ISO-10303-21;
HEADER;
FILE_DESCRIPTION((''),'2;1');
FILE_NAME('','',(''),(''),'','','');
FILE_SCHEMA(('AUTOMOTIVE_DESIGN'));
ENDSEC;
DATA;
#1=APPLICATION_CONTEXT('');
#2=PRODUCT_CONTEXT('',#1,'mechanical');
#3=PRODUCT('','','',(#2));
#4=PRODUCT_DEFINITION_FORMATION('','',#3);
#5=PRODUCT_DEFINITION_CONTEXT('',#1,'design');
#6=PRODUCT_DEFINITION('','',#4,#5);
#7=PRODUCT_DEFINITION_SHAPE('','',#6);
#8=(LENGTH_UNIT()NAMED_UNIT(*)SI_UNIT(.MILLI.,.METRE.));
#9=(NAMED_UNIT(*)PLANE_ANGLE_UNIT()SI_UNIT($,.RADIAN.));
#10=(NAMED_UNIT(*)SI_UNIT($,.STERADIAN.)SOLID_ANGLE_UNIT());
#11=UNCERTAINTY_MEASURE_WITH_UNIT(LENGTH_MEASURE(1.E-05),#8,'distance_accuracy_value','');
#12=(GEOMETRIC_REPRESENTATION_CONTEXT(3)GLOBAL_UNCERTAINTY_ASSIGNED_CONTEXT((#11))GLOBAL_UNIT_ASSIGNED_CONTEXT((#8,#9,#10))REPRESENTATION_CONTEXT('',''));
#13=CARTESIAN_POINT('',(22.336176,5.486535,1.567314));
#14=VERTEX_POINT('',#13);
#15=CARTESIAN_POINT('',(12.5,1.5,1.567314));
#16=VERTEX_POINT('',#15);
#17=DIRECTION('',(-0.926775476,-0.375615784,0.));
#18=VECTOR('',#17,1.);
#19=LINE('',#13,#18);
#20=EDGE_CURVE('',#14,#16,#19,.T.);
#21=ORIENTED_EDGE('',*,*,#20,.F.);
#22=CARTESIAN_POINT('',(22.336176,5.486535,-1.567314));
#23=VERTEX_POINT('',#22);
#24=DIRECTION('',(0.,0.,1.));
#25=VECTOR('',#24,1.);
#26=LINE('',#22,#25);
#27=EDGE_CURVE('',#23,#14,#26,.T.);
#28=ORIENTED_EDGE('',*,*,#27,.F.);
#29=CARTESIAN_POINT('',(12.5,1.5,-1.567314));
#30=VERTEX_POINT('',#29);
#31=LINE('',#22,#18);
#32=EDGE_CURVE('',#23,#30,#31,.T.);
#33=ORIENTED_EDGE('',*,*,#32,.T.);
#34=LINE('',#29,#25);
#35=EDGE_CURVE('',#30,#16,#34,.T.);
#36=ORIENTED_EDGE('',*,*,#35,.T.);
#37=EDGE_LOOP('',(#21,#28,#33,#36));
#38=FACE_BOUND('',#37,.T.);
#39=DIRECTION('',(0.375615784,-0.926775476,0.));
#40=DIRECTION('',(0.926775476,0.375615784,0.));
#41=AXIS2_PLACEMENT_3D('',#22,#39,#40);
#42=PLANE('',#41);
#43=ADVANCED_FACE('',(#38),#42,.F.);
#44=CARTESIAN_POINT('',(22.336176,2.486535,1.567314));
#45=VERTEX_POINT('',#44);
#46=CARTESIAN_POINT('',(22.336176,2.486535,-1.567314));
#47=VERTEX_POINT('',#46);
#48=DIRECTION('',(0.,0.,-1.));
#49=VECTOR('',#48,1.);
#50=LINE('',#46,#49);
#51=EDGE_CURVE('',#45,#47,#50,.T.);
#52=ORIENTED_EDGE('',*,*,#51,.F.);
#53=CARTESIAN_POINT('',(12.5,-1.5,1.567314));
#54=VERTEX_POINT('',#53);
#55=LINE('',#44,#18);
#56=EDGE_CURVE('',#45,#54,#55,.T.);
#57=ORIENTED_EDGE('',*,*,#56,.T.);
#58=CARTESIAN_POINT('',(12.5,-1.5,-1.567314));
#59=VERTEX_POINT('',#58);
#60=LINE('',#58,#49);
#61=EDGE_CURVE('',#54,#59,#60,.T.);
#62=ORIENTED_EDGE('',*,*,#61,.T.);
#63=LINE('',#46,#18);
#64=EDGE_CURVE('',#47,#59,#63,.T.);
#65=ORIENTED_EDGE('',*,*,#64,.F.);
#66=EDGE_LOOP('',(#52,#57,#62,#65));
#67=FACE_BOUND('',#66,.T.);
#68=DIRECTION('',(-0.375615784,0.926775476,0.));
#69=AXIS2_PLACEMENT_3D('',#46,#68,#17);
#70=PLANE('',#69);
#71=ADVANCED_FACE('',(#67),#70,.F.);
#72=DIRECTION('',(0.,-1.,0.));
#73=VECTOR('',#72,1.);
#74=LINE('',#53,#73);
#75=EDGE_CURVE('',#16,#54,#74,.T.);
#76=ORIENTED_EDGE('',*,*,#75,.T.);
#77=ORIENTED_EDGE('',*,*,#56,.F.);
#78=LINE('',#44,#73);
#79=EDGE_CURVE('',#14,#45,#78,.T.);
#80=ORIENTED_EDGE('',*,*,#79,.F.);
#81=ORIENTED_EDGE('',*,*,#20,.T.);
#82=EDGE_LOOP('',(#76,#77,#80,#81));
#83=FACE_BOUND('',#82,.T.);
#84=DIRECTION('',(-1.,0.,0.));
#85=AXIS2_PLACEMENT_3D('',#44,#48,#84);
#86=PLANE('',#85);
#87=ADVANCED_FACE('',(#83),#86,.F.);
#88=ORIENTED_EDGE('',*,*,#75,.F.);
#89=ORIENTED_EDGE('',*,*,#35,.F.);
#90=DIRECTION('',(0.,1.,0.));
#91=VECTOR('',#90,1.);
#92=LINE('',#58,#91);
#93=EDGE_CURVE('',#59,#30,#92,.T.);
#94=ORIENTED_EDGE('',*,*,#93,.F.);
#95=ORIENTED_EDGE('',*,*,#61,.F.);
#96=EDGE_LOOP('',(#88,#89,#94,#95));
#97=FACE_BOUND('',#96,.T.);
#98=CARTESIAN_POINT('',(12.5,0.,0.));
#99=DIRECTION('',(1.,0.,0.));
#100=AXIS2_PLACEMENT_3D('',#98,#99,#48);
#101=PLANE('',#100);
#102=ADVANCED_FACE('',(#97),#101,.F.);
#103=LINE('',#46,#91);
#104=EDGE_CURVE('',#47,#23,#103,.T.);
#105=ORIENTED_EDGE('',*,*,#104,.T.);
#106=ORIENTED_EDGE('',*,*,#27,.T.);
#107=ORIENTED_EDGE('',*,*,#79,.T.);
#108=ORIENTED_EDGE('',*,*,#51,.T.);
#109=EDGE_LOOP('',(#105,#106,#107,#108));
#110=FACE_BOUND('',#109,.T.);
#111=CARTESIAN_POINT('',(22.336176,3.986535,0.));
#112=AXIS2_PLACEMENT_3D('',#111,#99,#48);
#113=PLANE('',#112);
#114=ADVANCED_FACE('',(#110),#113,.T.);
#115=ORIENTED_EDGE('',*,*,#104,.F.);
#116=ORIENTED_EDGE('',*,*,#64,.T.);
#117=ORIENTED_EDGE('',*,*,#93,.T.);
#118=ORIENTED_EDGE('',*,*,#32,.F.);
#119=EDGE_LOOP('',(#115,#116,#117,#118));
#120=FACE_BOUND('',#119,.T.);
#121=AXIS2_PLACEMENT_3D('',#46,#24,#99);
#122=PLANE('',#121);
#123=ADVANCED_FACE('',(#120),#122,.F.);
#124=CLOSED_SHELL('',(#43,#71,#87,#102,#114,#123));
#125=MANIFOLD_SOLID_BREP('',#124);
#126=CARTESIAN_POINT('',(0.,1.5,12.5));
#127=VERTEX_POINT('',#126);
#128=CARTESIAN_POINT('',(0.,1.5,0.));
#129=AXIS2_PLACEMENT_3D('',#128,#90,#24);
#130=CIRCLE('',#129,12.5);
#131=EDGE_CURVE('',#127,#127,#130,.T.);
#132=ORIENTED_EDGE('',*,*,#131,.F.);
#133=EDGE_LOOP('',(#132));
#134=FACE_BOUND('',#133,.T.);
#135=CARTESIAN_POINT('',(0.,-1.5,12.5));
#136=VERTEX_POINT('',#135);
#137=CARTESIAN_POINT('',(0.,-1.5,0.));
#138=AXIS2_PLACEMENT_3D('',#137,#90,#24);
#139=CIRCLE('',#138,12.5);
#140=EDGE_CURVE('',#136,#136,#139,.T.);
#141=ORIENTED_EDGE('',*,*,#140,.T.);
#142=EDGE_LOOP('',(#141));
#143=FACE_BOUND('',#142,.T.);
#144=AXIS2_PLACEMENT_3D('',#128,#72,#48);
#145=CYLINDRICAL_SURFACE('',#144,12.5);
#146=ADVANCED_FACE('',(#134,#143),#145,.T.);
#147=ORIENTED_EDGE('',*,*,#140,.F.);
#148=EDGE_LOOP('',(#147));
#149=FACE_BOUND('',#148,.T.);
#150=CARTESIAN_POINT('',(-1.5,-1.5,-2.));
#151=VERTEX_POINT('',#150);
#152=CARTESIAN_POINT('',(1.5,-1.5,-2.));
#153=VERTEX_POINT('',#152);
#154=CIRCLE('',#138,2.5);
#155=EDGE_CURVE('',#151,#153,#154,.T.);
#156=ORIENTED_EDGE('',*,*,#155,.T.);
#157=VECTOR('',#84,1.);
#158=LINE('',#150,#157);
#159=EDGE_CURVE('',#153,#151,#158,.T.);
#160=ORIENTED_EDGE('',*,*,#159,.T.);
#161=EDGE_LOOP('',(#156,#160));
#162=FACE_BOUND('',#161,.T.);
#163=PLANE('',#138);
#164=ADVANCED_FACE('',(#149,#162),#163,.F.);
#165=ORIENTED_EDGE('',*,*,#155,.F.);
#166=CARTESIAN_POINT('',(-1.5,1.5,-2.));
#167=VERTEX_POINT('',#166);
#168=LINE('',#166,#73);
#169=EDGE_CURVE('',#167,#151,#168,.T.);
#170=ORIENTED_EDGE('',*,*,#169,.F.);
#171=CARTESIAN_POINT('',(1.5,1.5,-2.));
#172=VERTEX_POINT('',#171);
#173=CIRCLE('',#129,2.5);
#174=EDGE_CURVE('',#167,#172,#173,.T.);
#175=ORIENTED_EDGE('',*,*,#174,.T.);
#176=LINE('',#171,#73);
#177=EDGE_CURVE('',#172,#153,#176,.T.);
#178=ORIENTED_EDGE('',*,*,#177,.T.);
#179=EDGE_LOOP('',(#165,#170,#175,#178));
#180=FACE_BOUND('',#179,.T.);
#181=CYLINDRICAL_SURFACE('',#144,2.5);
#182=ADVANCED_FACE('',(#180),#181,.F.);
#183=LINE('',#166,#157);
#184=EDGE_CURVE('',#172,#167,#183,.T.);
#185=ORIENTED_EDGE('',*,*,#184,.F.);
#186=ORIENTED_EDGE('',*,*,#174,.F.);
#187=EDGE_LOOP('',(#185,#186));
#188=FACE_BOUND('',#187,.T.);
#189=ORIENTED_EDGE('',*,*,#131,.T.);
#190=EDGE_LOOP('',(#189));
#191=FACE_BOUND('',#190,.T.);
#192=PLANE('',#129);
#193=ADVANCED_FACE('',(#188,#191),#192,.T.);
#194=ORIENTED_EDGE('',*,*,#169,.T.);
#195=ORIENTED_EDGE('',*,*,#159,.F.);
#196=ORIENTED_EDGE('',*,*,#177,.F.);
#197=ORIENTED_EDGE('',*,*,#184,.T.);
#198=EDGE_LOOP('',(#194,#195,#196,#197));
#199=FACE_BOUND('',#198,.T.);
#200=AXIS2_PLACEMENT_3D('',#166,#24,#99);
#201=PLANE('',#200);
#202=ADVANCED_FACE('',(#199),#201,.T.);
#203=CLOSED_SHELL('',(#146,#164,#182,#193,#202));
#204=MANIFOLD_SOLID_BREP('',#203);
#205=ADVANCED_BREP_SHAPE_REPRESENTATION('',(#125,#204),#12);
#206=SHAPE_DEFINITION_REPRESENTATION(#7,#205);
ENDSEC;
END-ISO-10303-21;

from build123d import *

# Parameters (mm, degrees)
SKETCH1_R           = 12.5
BOSS_EXTRUDE1_DEPTH = 1.5
SKETCH3_W           = 3.134627122
SKETCH3_H           = 3


with BuildPart() as part:
    # Sketch1 → Boss-Extrude1 (new, symmetric)
    with BuildSketch(Plane(origin=(0, 0, 0), x_dir=(1, 0, 0), z_dir=(0, 1, 0))):
        with Locations(Location((0, 0, 0), (0, 0, 270))):
            Circle(SKETCH1_R)
        with BuildLine():
            Line((-1.5, 2), (1.5, 2))
            ThreePointArc((1.5, 2), (0, -2.5), (-1.5, 2))
        make_face(mode=Mode.SUBTRACT)
    extrude(amount=BOSS_EXTRUDE1_DEPTH, both=True)


with BuildPart() as body_2:
    # Sweep2: sweep along a path in Sketch2
    with BuildLine(Plane.XY) as sweep2_path:
        Line((12.5, 0), (22.336176394, 3.986535257))
    # Sketch3 → Sweep2 (sweep)
    with BuildSketch(Plane(origin=(12.5, 0, 0), x_dir=(0, 0, -1), z_dir=(1, 0, 0))):
        Rectangle(SKETCH3_W, SKETCH3_H)
    sweep(path=sweep2_path.line)


solid = Compound([part.part, body_2.part])
